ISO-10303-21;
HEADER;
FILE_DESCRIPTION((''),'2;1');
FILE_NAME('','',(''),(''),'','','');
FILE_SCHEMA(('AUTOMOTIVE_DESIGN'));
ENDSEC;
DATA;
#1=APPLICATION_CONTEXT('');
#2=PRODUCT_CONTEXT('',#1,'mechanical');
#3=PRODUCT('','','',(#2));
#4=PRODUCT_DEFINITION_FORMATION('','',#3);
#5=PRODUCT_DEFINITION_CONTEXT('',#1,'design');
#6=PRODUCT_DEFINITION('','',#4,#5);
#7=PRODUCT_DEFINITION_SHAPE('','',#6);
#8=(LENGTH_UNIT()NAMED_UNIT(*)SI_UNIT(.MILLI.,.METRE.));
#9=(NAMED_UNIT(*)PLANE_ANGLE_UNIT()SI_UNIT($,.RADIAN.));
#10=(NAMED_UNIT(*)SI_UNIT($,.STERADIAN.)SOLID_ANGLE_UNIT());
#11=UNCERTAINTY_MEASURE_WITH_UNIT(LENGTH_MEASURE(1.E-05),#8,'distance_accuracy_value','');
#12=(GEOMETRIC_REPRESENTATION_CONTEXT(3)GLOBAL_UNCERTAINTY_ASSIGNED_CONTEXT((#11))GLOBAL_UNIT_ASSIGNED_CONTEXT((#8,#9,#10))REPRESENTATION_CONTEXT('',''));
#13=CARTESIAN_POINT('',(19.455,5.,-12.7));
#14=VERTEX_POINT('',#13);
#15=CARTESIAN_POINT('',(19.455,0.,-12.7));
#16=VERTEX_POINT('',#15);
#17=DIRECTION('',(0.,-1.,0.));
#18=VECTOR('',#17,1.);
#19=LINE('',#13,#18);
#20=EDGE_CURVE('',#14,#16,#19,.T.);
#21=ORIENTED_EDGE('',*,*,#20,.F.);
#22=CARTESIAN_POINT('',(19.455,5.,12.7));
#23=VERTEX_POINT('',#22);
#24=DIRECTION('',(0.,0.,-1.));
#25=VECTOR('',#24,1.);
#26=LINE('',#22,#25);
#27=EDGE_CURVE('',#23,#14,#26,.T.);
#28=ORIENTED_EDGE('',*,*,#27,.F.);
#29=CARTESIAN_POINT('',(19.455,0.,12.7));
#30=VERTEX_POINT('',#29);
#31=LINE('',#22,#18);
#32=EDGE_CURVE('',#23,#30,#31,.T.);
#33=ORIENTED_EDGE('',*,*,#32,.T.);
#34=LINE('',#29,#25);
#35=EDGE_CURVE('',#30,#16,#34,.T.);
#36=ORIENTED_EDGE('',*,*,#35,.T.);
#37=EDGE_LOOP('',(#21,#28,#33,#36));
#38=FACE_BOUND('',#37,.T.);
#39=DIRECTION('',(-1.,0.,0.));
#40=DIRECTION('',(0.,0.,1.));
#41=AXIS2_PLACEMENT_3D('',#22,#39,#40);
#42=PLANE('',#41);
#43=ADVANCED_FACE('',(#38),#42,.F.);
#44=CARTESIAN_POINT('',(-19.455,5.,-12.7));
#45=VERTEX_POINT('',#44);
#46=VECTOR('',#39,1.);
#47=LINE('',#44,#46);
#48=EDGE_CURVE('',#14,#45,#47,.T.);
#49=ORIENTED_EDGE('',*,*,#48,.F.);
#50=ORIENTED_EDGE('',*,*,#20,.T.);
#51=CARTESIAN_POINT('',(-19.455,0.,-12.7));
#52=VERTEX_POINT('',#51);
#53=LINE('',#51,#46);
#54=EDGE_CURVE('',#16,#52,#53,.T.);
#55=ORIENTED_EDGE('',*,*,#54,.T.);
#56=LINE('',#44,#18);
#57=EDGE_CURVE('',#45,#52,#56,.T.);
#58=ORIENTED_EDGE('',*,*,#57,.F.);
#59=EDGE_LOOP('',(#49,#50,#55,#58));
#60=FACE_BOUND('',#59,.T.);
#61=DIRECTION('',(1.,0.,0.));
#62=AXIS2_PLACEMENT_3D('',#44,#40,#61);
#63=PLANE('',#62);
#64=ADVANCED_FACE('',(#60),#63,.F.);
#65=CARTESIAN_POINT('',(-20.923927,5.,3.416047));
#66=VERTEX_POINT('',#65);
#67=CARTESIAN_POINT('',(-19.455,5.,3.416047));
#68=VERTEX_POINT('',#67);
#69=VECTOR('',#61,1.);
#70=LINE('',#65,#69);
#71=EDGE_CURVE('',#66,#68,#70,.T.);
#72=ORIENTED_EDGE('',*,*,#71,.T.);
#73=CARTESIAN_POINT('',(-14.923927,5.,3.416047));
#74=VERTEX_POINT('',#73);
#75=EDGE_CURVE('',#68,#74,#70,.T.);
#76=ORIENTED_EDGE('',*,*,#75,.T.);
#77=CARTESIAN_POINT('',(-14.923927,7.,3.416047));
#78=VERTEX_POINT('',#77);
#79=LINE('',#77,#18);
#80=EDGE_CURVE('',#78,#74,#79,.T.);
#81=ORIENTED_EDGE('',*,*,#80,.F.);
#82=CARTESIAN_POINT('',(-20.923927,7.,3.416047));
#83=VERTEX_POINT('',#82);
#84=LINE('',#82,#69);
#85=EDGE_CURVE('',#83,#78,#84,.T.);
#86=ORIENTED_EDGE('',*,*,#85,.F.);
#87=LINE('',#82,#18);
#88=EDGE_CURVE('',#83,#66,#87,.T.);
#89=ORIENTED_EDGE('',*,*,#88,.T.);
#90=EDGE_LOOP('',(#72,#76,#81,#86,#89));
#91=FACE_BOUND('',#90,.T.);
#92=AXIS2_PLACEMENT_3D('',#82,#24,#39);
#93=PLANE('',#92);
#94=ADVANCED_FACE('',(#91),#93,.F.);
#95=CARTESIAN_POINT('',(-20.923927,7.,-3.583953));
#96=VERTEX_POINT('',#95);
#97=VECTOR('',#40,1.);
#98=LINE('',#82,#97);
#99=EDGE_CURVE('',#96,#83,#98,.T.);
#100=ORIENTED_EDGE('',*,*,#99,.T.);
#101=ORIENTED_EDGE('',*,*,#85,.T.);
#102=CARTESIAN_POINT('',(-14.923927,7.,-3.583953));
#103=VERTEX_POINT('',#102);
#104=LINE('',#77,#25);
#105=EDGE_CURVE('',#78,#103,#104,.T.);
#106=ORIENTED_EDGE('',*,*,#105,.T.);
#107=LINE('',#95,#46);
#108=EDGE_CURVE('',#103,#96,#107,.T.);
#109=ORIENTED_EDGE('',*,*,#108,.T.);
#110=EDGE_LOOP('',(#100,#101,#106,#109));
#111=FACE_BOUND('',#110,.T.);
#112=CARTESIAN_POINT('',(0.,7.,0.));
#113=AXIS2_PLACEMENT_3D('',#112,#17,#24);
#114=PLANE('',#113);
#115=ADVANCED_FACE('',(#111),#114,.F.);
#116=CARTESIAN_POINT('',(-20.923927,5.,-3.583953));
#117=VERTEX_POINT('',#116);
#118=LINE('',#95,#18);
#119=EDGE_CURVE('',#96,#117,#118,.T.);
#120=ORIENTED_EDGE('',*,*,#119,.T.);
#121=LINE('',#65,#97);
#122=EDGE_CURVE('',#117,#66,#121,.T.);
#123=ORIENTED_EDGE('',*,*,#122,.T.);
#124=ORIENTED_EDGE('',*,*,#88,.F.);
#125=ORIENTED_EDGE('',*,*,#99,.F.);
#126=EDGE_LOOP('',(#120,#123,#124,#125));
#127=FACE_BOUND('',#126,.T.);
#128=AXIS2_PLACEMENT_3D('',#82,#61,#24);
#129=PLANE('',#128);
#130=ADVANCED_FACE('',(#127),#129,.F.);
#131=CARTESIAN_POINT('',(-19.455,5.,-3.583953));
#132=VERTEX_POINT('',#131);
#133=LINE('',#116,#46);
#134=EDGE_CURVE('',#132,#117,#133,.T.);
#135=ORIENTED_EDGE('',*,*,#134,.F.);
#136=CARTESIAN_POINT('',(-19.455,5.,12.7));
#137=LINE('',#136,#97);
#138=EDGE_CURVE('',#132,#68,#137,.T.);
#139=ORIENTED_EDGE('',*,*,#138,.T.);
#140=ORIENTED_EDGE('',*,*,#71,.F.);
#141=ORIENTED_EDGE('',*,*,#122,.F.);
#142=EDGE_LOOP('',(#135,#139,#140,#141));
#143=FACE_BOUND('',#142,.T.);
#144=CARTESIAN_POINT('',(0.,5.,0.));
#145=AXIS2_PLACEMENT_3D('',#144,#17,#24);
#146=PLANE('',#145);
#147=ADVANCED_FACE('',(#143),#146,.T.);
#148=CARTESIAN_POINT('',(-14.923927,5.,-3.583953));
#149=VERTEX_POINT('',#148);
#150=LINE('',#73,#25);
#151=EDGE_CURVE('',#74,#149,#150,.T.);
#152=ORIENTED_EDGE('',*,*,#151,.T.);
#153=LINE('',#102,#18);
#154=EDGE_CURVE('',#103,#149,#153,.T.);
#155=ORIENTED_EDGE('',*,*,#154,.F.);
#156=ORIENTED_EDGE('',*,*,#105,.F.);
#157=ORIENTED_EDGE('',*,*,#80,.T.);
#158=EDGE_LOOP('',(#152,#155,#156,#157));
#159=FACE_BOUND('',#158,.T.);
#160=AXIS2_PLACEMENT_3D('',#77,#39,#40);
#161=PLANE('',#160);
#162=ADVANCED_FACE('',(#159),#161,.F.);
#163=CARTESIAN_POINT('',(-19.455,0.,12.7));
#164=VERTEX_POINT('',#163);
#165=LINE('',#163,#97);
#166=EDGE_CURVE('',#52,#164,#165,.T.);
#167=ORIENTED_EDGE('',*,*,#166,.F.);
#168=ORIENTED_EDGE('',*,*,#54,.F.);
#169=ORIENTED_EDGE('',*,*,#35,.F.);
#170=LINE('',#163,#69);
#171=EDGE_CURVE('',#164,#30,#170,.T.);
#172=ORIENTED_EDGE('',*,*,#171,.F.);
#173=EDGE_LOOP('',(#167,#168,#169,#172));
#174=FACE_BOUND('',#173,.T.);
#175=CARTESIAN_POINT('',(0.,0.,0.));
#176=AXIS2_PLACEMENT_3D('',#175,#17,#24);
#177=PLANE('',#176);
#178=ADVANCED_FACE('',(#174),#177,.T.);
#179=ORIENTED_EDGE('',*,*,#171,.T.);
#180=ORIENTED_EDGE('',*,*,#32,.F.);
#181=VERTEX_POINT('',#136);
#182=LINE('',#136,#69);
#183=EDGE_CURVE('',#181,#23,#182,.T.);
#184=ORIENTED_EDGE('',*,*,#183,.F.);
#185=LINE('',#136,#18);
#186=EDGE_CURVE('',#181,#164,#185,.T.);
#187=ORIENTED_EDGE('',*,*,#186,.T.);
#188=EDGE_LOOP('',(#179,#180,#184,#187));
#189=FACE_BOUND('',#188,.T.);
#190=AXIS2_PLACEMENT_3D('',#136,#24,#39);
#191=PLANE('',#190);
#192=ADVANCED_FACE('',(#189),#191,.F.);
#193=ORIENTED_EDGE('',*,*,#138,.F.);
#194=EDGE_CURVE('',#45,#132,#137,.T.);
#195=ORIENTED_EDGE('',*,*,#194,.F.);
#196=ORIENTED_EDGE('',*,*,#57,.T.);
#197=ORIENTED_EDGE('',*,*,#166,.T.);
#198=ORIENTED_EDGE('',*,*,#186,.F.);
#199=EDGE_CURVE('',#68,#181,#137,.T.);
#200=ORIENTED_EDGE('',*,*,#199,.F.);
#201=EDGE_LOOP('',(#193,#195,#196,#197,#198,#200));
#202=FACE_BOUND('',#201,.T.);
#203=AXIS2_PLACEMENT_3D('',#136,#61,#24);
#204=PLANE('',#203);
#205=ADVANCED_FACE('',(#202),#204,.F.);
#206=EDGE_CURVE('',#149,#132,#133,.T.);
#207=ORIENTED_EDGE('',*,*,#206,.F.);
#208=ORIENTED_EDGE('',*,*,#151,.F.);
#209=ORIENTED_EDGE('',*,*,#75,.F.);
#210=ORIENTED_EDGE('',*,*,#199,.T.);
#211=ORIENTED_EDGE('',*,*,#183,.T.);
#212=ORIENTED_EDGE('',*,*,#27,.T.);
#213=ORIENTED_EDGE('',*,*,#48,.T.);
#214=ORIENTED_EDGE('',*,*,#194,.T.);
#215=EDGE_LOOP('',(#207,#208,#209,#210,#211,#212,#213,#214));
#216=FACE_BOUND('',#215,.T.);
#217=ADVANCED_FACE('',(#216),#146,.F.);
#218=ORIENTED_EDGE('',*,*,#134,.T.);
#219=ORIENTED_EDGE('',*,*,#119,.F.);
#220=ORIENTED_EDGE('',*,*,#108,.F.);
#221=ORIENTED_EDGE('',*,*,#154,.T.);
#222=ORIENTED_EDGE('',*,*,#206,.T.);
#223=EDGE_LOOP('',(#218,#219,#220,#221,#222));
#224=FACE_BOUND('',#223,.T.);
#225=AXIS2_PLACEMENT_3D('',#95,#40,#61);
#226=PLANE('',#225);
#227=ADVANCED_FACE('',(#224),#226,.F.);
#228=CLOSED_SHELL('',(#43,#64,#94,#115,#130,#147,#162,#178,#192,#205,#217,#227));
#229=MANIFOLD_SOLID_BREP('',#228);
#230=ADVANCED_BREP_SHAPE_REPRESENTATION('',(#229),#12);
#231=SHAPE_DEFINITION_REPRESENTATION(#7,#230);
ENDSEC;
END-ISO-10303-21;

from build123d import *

# Parameters (mm, degrees)
SKETCH1_W           = 38.91
SKETCH1_H           = 25.4
BOSS_EXTRUDE1_DEPTH = 5
SKETCH2_W           = 6
SKETCH2_H           = 7
BOSS_EXTRUDE2_DEPTH = 2


with BuildPart() as part:
    # Sketch1 → Boss-Extrude1 (new body)
    with BuildSketch(Plane(origin=(0, 0, 0), x_dir=(1, 0, 0), z_dir=(0, 1, 0))):
        Rectangle(SKETCH1_W, SKETCH1_H)
    extrude(amount=BOSS_EXTRUDE1_DEPTH)

    # Sketch2 → Boss-Extrude2 (add)
    with BuildSketch(Plane(origin=(1.710032879, 5, 0), x_dir=(1, 0, 0), z_dir=(0, 1, 0))):
        with Locations((-19.633959391, 0.083952817)):
            Rectangle(SKETCH2_W, SKETCH2_H)
    extrude(amount=BOSS_EXTRUDE2_DEPTH)


solid = part.part
